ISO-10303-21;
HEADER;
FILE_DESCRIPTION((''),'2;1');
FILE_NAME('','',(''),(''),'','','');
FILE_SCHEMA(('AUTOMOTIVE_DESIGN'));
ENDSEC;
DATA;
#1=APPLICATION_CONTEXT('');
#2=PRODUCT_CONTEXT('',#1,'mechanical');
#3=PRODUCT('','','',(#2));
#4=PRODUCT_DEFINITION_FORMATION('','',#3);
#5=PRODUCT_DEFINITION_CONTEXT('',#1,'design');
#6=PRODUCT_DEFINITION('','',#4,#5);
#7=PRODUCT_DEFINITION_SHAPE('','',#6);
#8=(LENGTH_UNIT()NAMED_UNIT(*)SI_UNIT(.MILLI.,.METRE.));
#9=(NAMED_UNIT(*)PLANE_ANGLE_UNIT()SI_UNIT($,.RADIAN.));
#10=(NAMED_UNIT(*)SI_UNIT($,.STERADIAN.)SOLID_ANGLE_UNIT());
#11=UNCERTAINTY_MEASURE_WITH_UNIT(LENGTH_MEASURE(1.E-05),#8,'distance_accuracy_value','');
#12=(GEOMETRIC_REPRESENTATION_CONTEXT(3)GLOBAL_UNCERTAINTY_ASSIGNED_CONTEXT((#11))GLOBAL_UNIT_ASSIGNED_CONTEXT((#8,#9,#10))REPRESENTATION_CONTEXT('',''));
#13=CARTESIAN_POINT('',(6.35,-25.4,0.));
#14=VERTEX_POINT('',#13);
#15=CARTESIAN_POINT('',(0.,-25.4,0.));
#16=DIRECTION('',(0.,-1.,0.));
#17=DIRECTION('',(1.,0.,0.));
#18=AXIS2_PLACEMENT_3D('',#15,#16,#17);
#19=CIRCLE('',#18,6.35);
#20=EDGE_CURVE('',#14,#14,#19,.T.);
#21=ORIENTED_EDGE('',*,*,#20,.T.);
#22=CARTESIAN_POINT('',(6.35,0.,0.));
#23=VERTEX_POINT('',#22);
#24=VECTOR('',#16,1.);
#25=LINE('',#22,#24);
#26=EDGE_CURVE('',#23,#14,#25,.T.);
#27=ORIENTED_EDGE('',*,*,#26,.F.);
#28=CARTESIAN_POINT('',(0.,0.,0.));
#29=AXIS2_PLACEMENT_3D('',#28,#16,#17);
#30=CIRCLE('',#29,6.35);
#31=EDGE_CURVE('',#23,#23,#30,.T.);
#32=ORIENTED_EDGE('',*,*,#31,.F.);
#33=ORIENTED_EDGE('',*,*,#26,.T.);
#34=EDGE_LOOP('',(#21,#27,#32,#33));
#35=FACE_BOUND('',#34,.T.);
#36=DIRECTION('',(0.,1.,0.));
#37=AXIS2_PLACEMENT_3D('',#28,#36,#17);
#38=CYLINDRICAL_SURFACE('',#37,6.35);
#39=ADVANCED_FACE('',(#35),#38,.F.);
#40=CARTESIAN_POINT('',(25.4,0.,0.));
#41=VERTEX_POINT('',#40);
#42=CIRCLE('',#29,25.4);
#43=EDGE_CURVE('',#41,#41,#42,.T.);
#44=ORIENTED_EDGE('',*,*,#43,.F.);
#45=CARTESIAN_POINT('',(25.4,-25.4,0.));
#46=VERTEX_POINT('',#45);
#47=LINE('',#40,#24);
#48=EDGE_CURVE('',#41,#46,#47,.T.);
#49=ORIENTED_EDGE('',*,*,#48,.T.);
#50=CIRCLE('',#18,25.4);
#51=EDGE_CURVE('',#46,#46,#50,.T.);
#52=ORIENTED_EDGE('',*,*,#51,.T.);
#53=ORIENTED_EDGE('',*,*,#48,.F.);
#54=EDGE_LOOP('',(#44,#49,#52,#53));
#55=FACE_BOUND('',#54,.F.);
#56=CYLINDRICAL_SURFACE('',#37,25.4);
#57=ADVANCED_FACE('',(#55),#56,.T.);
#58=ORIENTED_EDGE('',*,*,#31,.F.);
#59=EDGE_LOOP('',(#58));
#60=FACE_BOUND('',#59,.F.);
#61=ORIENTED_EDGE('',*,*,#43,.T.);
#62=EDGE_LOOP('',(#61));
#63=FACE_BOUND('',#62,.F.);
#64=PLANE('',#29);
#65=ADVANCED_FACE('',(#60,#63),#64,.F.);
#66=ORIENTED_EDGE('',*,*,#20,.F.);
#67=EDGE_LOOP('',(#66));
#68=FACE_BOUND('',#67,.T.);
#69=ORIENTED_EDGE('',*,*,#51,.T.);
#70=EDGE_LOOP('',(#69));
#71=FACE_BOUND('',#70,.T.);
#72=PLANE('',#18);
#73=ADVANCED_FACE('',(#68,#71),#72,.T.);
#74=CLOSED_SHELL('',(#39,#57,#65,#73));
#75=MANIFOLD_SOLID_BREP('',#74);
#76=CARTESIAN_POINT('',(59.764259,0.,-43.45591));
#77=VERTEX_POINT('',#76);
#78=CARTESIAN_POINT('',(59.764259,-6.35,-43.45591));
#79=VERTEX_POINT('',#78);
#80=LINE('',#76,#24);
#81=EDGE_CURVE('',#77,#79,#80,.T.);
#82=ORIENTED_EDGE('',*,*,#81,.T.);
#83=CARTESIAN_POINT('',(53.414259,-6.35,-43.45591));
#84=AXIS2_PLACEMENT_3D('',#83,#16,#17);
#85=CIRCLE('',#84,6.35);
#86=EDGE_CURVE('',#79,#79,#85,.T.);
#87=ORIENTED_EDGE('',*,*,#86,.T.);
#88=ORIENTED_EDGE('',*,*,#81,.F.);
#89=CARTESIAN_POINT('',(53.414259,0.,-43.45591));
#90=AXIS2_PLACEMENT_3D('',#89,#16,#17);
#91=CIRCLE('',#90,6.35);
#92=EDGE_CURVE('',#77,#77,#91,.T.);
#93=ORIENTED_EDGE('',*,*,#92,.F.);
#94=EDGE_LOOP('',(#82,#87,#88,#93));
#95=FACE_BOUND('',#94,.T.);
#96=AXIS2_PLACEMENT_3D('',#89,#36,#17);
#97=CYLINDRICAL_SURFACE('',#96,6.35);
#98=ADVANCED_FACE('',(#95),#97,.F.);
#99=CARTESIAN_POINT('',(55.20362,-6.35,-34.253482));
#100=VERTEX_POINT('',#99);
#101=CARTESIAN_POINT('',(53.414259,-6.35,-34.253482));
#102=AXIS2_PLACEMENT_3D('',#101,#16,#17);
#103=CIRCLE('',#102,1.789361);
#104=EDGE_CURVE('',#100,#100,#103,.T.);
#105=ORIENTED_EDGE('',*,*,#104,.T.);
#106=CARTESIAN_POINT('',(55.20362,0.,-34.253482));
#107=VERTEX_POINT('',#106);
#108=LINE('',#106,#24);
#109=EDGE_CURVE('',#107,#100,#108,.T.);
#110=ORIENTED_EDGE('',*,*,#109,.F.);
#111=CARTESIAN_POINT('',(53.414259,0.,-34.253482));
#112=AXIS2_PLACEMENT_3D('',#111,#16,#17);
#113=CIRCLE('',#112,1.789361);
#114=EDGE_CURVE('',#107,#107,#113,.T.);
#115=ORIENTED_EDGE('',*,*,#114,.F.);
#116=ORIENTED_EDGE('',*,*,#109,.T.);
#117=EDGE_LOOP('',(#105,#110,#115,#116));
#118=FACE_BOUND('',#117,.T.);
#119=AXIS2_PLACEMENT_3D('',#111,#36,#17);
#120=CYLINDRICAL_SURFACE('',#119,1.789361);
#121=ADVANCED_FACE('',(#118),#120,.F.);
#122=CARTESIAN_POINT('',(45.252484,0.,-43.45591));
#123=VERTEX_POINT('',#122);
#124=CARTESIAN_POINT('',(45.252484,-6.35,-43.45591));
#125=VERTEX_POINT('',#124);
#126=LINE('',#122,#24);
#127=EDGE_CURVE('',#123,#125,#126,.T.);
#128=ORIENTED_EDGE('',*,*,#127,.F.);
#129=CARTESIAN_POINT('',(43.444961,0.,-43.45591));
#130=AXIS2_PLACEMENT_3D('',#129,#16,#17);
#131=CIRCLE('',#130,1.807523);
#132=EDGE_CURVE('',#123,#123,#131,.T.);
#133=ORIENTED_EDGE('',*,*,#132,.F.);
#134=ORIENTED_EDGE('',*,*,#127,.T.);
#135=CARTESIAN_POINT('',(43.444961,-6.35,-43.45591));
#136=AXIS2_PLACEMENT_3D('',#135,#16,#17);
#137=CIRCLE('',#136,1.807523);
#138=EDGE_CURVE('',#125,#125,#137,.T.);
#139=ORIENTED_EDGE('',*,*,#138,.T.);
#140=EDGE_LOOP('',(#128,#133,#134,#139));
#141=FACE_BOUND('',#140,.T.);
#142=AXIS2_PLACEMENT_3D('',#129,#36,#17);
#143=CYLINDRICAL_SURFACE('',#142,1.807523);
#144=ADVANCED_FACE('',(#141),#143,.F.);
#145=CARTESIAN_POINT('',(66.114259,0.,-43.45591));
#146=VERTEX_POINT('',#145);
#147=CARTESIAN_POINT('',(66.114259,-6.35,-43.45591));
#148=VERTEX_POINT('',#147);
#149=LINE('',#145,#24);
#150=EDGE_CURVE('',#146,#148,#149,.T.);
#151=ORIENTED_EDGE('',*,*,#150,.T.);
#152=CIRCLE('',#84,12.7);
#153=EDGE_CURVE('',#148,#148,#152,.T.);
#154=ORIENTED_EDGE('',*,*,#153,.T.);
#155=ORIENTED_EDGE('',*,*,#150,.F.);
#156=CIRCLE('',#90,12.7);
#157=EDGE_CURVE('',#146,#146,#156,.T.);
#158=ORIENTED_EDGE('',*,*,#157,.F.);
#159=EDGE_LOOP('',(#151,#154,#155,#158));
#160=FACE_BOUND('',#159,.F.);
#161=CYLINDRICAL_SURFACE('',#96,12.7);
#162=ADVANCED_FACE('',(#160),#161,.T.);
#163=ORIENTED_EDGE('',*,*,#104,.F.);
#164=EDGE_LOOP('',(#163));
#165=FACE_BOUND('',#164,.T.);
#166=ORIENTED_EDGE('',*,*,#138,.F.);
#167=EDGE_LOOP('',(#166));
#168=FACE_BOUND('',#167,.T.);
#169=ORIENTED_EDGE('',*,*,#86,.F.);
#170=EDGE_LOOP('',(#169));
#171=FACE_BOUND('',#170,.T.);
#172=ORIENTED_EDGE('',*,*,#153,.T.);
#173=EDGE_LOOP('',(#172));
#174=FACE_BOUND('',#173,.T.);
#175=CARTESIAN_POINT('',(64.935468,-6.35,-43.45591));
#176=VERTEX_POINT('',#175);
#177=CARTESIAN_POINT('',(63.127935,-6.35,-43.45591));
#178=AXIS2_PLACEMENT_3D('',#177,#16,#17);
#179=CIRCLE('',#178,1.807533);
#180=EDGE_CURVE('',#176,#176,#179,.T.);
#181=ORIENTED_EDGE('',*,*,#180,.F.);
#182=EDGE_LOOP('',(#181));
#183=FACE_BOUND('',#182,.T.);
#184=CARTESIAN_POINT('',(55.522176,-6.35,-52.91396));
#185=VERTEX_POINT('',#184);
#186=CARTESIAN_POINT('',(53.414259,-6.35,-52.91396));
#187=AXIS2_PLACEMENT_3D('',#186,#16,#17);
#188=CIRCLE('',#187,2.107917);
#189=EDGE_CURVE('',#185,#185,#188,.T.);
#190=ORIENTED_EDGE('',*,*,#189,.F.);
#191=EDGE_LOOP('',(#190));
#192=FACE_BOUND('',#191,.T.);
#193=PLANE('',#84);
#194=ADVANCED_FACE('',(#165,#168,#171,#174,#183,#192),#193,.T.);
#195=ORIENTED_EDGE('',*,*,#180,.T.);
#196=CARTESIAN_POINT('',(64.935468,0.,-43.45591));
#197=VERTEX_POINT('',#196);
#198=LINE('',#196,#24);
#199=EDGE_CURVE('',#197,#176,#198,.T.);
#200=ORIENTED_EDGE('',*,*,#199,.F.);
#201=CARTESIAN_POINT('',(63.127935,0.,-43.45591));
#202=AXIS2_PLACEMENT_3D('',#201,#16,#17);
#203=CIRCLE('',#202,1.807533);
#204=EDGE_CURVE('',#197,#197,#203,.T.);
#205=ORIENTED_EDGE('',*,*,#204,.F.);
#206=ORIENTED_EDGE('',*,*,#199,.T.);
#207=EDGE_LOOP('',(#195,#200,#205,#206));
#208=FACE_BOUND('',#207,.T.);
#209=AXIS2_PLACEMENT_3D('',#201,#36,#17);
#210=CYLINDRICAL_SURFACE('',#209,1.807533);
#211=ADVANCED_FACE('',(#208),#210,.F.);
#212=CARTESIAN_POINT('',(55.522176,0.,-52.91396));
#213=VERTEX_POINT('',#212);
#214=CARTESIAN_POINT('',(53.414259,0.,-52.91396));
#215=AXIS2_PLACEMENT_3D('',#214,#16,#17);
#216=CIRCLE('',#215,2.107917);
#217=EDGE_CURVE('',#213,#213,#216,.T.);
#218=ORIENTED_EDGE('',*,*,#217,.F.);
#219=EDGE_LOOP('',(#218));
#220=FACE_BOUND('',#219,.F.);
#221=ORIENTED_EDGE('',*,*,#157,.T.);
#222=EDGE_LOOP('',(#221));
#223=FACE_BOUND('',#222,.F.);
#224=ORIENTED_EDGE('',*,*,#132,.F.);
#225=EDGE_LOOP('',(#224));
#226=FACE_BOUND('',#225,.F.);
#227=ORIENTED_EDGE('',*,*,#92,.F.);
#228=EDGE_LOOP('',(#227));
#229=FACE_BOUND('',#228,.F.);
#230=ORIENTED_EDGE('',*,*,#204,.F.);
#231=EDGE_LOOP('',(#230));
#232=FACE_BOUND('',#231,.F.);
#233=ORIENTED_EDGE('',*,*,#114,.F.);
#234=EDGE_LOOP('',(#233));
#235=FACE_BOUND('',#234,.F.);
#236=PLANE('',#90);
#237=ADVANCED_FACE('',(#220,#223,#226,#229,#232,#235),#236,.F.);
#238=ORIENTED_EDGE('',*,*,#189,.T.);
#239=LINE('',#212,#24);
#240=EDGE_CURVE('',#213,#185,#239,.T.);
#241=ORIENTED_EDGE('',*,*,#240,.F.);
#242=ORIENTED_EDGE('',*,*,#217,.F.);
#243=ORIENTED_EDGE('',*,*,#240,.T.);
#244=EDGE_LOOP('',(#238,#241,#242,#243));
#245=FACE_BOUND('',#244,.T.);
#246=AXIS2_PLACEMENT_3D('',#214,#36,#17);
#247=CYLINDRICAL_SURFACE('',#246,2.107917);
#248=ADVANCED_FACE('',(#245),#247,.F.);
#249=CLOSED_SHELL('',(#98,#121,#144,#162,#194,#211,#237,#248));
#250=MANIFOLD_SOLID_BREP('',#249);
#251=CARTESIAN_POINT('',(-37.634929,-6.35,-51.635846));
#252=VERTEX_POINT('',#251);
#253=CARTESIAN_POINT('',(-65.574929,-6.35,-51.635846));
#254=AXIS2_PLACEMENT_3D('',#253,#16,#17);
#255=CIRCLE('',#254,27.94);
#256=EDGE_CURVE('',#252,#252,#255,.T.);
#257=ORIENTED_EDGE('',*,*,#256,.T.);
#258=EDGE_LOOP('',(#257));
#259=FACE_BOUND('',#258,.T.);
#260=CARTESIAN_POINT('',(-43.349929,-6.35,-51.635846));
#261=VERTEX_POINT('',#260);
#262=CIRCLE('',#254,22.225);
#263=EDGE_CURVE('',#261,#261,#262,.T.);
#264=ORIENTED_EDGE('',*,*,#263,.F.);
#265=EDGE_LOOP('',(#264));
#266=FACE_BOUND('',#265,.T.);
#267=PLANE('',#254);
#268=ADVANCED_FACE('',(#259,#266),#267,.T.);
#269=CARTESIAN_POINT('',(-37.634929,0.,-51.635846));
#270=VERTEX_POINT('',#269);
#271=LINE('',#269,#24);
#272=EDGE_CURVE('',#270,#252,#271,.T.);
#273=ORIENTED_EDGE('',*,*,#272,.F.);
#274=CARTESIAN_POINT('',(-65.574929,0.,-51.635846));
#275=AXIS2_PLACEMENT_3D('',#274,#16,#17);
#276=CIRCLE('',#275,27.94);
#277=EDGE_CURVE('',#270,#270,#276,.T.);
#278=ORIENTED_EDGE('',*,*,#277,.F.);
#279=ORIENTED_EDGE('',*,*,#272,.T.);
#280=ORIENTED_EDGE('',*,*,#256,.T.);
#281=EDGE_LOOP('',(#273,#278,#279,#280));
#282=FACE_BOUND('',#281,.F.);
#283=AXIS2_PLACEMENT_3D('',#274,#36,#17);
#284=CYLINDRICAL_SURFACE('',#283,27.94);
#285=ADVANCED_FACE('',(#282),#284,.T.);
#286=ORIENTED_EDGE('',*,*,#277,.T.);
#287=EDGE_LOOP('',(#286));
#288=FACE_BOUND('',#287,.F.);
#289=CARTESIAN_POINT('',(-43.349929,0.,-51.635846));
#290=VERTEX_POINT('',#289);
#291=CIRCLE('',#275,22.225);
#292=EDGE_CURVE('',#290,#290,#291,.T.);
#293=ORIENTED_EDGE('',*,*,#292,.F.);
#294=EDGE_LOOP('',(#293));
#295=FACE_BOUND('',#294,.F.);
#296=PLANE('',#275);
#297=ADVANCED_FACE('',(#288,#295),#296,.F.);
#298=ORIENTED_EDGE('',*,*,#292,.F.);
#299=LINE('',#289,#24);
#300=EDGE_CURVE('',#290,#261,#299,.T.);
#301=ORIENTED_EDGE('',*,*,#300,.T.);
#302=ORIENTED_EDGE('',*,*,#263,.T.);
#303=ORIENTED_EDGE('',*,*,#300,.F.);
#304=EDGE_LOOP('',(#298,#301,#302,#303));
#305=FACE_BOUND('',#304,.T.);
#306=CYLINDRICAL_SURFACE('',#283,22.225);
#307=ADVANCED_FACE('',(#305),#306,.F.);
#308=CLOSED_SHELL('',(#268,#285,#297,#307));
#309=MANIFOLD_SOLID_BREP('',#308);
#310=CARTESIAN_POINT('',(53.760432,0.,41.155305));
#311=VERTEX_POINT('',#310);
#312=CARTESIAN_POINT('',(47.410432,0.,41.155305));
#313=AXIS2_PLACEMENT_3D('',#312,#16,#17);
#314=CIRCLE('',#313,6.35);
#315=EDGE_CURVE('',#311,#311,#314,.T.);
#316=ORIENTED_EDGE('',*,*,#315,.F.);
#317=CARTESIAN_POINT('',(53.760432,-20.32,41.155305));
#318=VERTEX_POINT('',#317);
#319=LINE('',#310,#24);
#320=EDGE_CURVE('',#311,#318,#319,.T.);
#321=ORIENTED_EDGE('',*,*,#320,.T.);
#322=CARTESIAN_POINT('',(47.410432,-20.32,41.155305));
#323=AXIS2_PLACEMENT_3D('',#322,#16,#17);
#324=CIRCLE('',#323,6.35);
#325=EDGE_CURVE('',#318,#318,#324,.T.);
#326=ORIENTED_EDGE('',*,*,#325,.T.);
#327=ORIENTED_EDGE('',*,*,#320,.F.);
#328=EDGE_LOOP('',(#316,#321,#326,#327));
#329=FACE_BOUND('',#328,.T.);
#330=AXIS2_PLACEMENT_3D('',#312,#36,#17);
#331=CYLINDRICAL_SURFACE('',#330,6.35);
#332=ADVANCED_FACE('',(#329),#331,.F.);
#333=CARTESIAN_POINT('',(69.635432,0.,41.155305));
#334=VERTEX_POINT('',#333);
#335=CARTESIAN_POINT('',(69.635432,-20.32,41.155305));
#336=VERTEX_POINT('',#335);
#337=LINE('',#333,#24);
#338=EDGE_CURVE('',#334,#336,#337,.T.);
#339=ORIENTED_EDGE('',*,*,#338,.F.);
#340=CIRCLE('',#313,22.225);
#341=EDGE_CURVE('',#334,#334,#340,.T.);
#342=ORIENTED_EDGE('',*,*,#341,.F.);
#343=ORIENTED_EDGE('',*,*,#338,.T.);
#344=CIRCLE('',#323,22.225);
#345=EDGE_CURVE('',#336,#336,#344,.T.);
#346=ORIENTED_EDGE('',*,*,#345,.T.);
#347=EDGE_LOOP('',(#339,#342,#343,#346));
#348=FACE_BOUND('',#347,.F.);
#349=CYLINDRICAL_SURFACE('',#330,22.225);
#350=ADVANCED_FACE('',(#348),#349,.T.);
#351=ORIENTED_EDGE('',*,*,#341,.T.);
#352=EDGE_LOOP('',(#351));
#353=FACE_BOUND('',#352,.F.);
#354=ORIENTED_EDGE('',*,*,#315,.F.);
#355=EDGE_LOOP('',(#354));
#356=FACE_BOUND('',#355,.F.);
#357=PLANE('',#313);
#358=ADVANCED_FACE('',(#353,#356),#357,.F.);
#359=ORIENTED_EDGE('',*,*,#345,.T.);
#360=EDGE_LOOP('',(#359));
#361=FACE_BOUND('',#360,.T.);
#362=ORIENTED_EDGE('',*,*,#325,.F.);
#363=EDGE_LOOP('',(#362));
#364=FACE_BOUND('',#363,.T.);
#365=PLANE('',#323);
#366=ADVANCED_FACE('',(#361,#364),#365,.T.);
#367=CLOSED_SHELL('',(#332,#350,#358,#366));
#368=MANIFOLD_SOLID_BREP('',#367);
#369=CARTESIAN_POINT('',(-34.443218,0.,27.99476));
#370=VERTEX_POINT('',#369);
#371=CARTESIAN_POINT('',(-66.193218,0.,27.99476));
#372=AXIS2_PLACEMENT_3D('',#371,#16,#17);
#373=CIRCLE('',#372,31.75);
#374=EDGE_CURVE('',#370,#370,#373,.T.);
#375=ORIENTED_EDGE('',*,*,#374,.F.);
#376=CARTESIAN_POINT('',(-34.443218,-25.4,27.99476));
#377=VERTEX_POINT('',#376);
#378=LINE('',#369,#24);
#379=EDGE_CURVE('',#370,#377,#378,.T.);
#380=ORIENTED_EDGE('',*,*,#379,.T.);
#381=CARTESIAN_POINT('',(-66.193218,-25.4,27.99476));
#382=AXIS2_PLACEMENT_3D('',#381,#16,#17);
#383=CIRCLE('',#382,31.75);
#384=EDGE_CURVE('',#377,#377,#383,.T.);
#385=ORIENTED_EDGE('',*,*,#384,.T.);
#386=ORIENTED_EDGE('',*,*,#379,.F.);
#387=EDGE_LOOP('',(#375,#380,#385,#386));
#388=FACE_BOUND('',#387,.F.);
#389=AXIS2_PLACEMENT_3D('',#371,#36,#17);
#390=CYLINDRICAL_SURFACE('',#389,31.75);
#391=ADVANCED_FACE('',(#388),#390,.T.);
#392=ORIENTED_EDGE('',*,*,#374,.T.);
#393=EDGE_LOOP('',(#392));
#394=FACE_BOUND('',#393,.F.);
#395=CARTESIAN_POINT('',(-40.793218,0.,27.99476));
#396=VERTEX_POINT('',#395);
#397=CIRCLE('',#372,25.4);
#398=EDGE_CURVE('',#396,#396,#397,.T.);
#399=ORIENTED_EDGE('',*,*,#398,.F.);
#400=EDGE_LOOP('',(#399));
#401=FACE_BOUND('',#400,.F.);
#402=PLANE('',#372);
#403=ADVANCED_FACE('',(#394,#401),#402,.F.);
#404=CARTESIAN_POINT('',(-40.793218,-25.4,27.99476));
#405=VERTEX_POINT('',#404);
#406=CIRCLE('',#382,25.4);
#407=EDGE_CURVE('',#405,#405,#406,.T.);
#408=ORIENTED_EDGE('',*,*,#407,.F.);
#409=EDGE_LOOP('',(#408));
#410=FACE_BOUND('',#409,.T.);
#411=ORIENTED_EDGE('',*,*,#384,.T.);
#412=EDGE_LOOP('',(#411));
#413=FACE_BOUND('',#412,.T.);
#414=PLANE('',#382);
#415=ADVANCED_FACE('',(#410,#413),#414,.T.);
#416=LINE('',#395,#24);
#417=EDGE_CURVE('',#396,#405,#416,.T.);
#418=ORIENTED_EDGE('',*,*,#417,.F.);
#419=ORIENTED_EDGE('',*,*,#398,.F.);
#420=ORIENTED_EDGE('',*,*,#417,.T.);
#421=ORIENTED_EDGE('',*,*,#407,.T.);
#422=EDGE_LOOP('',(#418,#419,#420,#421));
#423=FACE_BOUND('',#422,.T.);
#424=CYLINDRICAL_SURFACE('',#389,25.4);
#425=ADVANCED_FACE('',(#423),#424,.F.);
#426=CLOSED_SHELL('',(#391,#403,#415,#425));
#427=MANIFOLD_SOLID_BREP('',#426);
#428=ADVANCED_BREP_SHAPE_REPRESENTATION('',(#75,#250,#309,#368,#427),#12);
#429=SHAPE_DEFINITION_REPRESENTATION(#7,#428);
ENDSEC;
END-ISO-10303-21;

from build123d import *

# Parameters (mm, degrees)
F0_R     = 25.4
F0_R_2   = 6.35
F0_R_3   = 31.75
F1_DEPTH = 25.4
F2_R     = 22.225
F2_R_2   = 6.35
F3_DEPTH = 20.32
F4_R     = 27.94
F4_R_2   = 22.225
F5_DEPTH = 6.35
F6_R     = 12.7
F6_R_2   = 2.107917
F6_R_3   = 1.807523
F6_R_4   = 6.35
F6_R_5   = 1.807533
F6_R_6   = 1.789361
F7_DEPTH = 6.35


with BuildPart() as f1:
    # F0 (on Front) → F1 (new body)
    with BuildSketch(Plane.XZ):
        Circle(F0_R)
        Circle(F0_R_2, mode=Mode.SUBTRACT)
        with Locations((-66.193218, 27.99476)):
            Circle(F0_R_3)
        with Locations((-66.193218, 27.99476)):
            Circle(F0_R, mode=Mode.SUBTRACT)
    extrude(amount=F1_DEPTH)


with BuildPart() as f3:
    # F2 (on Front) → F3 (new body)
    with BuildSketch(Plane.XZ):
        with Locations((47.410432, 41.155305)):
            Circle(F2_R)
        with Locations((47.410432, 41.155305)):
            Circle(F2_R_2, mode=Mode.SUBTRACT)
    extrude(amount=F3_DEPTH)


with BuildPart() as f5:
    # F4 (on Front) → F5 (new body)
    with BuildSketch(Plane.XZ):
        with Locations((-65.574929, -51.635846)):
            Circle(F4_R)
        with Locations((-65.574929, -51.635846)):
            Circle(F4_R_2, mode=Mode.SUBTRACT)
    extrude(amount=F5_DEPTH)


with BuildPart() as f7:
    # F6 (on Front) → F7 (new body)
    with BuildSketch(Plane.XZ):
        with Locations((53.414259, -43.45591)):
            Circle(F6_R)
        with Locations((53.414259, -52.91396)):
            Circle(F6_R_2, mode=Mode.SUBTRACT)
        with Locations((43.444961, -43.45591)):
            Circle(F6_R_3, mode=Mode.SUBTRACT)
        with Locations((53.414259, -43.45591)):
            Circle(F6_R_4, mode=Mode.SUBTRACT)
        with Locations((63.127935, -43.45591)):
            Circle(F6_R_5, mode=Mode.SUBTRACT)
        with Locations((53.414259, -34.253482)):
            Circle(F6_R_6, mode=Mode.SUBTRACT)
    extrude(amount=F7_DEPTH)


solid = Compound([f1.part, f3.part, f5.part, f7.part])
